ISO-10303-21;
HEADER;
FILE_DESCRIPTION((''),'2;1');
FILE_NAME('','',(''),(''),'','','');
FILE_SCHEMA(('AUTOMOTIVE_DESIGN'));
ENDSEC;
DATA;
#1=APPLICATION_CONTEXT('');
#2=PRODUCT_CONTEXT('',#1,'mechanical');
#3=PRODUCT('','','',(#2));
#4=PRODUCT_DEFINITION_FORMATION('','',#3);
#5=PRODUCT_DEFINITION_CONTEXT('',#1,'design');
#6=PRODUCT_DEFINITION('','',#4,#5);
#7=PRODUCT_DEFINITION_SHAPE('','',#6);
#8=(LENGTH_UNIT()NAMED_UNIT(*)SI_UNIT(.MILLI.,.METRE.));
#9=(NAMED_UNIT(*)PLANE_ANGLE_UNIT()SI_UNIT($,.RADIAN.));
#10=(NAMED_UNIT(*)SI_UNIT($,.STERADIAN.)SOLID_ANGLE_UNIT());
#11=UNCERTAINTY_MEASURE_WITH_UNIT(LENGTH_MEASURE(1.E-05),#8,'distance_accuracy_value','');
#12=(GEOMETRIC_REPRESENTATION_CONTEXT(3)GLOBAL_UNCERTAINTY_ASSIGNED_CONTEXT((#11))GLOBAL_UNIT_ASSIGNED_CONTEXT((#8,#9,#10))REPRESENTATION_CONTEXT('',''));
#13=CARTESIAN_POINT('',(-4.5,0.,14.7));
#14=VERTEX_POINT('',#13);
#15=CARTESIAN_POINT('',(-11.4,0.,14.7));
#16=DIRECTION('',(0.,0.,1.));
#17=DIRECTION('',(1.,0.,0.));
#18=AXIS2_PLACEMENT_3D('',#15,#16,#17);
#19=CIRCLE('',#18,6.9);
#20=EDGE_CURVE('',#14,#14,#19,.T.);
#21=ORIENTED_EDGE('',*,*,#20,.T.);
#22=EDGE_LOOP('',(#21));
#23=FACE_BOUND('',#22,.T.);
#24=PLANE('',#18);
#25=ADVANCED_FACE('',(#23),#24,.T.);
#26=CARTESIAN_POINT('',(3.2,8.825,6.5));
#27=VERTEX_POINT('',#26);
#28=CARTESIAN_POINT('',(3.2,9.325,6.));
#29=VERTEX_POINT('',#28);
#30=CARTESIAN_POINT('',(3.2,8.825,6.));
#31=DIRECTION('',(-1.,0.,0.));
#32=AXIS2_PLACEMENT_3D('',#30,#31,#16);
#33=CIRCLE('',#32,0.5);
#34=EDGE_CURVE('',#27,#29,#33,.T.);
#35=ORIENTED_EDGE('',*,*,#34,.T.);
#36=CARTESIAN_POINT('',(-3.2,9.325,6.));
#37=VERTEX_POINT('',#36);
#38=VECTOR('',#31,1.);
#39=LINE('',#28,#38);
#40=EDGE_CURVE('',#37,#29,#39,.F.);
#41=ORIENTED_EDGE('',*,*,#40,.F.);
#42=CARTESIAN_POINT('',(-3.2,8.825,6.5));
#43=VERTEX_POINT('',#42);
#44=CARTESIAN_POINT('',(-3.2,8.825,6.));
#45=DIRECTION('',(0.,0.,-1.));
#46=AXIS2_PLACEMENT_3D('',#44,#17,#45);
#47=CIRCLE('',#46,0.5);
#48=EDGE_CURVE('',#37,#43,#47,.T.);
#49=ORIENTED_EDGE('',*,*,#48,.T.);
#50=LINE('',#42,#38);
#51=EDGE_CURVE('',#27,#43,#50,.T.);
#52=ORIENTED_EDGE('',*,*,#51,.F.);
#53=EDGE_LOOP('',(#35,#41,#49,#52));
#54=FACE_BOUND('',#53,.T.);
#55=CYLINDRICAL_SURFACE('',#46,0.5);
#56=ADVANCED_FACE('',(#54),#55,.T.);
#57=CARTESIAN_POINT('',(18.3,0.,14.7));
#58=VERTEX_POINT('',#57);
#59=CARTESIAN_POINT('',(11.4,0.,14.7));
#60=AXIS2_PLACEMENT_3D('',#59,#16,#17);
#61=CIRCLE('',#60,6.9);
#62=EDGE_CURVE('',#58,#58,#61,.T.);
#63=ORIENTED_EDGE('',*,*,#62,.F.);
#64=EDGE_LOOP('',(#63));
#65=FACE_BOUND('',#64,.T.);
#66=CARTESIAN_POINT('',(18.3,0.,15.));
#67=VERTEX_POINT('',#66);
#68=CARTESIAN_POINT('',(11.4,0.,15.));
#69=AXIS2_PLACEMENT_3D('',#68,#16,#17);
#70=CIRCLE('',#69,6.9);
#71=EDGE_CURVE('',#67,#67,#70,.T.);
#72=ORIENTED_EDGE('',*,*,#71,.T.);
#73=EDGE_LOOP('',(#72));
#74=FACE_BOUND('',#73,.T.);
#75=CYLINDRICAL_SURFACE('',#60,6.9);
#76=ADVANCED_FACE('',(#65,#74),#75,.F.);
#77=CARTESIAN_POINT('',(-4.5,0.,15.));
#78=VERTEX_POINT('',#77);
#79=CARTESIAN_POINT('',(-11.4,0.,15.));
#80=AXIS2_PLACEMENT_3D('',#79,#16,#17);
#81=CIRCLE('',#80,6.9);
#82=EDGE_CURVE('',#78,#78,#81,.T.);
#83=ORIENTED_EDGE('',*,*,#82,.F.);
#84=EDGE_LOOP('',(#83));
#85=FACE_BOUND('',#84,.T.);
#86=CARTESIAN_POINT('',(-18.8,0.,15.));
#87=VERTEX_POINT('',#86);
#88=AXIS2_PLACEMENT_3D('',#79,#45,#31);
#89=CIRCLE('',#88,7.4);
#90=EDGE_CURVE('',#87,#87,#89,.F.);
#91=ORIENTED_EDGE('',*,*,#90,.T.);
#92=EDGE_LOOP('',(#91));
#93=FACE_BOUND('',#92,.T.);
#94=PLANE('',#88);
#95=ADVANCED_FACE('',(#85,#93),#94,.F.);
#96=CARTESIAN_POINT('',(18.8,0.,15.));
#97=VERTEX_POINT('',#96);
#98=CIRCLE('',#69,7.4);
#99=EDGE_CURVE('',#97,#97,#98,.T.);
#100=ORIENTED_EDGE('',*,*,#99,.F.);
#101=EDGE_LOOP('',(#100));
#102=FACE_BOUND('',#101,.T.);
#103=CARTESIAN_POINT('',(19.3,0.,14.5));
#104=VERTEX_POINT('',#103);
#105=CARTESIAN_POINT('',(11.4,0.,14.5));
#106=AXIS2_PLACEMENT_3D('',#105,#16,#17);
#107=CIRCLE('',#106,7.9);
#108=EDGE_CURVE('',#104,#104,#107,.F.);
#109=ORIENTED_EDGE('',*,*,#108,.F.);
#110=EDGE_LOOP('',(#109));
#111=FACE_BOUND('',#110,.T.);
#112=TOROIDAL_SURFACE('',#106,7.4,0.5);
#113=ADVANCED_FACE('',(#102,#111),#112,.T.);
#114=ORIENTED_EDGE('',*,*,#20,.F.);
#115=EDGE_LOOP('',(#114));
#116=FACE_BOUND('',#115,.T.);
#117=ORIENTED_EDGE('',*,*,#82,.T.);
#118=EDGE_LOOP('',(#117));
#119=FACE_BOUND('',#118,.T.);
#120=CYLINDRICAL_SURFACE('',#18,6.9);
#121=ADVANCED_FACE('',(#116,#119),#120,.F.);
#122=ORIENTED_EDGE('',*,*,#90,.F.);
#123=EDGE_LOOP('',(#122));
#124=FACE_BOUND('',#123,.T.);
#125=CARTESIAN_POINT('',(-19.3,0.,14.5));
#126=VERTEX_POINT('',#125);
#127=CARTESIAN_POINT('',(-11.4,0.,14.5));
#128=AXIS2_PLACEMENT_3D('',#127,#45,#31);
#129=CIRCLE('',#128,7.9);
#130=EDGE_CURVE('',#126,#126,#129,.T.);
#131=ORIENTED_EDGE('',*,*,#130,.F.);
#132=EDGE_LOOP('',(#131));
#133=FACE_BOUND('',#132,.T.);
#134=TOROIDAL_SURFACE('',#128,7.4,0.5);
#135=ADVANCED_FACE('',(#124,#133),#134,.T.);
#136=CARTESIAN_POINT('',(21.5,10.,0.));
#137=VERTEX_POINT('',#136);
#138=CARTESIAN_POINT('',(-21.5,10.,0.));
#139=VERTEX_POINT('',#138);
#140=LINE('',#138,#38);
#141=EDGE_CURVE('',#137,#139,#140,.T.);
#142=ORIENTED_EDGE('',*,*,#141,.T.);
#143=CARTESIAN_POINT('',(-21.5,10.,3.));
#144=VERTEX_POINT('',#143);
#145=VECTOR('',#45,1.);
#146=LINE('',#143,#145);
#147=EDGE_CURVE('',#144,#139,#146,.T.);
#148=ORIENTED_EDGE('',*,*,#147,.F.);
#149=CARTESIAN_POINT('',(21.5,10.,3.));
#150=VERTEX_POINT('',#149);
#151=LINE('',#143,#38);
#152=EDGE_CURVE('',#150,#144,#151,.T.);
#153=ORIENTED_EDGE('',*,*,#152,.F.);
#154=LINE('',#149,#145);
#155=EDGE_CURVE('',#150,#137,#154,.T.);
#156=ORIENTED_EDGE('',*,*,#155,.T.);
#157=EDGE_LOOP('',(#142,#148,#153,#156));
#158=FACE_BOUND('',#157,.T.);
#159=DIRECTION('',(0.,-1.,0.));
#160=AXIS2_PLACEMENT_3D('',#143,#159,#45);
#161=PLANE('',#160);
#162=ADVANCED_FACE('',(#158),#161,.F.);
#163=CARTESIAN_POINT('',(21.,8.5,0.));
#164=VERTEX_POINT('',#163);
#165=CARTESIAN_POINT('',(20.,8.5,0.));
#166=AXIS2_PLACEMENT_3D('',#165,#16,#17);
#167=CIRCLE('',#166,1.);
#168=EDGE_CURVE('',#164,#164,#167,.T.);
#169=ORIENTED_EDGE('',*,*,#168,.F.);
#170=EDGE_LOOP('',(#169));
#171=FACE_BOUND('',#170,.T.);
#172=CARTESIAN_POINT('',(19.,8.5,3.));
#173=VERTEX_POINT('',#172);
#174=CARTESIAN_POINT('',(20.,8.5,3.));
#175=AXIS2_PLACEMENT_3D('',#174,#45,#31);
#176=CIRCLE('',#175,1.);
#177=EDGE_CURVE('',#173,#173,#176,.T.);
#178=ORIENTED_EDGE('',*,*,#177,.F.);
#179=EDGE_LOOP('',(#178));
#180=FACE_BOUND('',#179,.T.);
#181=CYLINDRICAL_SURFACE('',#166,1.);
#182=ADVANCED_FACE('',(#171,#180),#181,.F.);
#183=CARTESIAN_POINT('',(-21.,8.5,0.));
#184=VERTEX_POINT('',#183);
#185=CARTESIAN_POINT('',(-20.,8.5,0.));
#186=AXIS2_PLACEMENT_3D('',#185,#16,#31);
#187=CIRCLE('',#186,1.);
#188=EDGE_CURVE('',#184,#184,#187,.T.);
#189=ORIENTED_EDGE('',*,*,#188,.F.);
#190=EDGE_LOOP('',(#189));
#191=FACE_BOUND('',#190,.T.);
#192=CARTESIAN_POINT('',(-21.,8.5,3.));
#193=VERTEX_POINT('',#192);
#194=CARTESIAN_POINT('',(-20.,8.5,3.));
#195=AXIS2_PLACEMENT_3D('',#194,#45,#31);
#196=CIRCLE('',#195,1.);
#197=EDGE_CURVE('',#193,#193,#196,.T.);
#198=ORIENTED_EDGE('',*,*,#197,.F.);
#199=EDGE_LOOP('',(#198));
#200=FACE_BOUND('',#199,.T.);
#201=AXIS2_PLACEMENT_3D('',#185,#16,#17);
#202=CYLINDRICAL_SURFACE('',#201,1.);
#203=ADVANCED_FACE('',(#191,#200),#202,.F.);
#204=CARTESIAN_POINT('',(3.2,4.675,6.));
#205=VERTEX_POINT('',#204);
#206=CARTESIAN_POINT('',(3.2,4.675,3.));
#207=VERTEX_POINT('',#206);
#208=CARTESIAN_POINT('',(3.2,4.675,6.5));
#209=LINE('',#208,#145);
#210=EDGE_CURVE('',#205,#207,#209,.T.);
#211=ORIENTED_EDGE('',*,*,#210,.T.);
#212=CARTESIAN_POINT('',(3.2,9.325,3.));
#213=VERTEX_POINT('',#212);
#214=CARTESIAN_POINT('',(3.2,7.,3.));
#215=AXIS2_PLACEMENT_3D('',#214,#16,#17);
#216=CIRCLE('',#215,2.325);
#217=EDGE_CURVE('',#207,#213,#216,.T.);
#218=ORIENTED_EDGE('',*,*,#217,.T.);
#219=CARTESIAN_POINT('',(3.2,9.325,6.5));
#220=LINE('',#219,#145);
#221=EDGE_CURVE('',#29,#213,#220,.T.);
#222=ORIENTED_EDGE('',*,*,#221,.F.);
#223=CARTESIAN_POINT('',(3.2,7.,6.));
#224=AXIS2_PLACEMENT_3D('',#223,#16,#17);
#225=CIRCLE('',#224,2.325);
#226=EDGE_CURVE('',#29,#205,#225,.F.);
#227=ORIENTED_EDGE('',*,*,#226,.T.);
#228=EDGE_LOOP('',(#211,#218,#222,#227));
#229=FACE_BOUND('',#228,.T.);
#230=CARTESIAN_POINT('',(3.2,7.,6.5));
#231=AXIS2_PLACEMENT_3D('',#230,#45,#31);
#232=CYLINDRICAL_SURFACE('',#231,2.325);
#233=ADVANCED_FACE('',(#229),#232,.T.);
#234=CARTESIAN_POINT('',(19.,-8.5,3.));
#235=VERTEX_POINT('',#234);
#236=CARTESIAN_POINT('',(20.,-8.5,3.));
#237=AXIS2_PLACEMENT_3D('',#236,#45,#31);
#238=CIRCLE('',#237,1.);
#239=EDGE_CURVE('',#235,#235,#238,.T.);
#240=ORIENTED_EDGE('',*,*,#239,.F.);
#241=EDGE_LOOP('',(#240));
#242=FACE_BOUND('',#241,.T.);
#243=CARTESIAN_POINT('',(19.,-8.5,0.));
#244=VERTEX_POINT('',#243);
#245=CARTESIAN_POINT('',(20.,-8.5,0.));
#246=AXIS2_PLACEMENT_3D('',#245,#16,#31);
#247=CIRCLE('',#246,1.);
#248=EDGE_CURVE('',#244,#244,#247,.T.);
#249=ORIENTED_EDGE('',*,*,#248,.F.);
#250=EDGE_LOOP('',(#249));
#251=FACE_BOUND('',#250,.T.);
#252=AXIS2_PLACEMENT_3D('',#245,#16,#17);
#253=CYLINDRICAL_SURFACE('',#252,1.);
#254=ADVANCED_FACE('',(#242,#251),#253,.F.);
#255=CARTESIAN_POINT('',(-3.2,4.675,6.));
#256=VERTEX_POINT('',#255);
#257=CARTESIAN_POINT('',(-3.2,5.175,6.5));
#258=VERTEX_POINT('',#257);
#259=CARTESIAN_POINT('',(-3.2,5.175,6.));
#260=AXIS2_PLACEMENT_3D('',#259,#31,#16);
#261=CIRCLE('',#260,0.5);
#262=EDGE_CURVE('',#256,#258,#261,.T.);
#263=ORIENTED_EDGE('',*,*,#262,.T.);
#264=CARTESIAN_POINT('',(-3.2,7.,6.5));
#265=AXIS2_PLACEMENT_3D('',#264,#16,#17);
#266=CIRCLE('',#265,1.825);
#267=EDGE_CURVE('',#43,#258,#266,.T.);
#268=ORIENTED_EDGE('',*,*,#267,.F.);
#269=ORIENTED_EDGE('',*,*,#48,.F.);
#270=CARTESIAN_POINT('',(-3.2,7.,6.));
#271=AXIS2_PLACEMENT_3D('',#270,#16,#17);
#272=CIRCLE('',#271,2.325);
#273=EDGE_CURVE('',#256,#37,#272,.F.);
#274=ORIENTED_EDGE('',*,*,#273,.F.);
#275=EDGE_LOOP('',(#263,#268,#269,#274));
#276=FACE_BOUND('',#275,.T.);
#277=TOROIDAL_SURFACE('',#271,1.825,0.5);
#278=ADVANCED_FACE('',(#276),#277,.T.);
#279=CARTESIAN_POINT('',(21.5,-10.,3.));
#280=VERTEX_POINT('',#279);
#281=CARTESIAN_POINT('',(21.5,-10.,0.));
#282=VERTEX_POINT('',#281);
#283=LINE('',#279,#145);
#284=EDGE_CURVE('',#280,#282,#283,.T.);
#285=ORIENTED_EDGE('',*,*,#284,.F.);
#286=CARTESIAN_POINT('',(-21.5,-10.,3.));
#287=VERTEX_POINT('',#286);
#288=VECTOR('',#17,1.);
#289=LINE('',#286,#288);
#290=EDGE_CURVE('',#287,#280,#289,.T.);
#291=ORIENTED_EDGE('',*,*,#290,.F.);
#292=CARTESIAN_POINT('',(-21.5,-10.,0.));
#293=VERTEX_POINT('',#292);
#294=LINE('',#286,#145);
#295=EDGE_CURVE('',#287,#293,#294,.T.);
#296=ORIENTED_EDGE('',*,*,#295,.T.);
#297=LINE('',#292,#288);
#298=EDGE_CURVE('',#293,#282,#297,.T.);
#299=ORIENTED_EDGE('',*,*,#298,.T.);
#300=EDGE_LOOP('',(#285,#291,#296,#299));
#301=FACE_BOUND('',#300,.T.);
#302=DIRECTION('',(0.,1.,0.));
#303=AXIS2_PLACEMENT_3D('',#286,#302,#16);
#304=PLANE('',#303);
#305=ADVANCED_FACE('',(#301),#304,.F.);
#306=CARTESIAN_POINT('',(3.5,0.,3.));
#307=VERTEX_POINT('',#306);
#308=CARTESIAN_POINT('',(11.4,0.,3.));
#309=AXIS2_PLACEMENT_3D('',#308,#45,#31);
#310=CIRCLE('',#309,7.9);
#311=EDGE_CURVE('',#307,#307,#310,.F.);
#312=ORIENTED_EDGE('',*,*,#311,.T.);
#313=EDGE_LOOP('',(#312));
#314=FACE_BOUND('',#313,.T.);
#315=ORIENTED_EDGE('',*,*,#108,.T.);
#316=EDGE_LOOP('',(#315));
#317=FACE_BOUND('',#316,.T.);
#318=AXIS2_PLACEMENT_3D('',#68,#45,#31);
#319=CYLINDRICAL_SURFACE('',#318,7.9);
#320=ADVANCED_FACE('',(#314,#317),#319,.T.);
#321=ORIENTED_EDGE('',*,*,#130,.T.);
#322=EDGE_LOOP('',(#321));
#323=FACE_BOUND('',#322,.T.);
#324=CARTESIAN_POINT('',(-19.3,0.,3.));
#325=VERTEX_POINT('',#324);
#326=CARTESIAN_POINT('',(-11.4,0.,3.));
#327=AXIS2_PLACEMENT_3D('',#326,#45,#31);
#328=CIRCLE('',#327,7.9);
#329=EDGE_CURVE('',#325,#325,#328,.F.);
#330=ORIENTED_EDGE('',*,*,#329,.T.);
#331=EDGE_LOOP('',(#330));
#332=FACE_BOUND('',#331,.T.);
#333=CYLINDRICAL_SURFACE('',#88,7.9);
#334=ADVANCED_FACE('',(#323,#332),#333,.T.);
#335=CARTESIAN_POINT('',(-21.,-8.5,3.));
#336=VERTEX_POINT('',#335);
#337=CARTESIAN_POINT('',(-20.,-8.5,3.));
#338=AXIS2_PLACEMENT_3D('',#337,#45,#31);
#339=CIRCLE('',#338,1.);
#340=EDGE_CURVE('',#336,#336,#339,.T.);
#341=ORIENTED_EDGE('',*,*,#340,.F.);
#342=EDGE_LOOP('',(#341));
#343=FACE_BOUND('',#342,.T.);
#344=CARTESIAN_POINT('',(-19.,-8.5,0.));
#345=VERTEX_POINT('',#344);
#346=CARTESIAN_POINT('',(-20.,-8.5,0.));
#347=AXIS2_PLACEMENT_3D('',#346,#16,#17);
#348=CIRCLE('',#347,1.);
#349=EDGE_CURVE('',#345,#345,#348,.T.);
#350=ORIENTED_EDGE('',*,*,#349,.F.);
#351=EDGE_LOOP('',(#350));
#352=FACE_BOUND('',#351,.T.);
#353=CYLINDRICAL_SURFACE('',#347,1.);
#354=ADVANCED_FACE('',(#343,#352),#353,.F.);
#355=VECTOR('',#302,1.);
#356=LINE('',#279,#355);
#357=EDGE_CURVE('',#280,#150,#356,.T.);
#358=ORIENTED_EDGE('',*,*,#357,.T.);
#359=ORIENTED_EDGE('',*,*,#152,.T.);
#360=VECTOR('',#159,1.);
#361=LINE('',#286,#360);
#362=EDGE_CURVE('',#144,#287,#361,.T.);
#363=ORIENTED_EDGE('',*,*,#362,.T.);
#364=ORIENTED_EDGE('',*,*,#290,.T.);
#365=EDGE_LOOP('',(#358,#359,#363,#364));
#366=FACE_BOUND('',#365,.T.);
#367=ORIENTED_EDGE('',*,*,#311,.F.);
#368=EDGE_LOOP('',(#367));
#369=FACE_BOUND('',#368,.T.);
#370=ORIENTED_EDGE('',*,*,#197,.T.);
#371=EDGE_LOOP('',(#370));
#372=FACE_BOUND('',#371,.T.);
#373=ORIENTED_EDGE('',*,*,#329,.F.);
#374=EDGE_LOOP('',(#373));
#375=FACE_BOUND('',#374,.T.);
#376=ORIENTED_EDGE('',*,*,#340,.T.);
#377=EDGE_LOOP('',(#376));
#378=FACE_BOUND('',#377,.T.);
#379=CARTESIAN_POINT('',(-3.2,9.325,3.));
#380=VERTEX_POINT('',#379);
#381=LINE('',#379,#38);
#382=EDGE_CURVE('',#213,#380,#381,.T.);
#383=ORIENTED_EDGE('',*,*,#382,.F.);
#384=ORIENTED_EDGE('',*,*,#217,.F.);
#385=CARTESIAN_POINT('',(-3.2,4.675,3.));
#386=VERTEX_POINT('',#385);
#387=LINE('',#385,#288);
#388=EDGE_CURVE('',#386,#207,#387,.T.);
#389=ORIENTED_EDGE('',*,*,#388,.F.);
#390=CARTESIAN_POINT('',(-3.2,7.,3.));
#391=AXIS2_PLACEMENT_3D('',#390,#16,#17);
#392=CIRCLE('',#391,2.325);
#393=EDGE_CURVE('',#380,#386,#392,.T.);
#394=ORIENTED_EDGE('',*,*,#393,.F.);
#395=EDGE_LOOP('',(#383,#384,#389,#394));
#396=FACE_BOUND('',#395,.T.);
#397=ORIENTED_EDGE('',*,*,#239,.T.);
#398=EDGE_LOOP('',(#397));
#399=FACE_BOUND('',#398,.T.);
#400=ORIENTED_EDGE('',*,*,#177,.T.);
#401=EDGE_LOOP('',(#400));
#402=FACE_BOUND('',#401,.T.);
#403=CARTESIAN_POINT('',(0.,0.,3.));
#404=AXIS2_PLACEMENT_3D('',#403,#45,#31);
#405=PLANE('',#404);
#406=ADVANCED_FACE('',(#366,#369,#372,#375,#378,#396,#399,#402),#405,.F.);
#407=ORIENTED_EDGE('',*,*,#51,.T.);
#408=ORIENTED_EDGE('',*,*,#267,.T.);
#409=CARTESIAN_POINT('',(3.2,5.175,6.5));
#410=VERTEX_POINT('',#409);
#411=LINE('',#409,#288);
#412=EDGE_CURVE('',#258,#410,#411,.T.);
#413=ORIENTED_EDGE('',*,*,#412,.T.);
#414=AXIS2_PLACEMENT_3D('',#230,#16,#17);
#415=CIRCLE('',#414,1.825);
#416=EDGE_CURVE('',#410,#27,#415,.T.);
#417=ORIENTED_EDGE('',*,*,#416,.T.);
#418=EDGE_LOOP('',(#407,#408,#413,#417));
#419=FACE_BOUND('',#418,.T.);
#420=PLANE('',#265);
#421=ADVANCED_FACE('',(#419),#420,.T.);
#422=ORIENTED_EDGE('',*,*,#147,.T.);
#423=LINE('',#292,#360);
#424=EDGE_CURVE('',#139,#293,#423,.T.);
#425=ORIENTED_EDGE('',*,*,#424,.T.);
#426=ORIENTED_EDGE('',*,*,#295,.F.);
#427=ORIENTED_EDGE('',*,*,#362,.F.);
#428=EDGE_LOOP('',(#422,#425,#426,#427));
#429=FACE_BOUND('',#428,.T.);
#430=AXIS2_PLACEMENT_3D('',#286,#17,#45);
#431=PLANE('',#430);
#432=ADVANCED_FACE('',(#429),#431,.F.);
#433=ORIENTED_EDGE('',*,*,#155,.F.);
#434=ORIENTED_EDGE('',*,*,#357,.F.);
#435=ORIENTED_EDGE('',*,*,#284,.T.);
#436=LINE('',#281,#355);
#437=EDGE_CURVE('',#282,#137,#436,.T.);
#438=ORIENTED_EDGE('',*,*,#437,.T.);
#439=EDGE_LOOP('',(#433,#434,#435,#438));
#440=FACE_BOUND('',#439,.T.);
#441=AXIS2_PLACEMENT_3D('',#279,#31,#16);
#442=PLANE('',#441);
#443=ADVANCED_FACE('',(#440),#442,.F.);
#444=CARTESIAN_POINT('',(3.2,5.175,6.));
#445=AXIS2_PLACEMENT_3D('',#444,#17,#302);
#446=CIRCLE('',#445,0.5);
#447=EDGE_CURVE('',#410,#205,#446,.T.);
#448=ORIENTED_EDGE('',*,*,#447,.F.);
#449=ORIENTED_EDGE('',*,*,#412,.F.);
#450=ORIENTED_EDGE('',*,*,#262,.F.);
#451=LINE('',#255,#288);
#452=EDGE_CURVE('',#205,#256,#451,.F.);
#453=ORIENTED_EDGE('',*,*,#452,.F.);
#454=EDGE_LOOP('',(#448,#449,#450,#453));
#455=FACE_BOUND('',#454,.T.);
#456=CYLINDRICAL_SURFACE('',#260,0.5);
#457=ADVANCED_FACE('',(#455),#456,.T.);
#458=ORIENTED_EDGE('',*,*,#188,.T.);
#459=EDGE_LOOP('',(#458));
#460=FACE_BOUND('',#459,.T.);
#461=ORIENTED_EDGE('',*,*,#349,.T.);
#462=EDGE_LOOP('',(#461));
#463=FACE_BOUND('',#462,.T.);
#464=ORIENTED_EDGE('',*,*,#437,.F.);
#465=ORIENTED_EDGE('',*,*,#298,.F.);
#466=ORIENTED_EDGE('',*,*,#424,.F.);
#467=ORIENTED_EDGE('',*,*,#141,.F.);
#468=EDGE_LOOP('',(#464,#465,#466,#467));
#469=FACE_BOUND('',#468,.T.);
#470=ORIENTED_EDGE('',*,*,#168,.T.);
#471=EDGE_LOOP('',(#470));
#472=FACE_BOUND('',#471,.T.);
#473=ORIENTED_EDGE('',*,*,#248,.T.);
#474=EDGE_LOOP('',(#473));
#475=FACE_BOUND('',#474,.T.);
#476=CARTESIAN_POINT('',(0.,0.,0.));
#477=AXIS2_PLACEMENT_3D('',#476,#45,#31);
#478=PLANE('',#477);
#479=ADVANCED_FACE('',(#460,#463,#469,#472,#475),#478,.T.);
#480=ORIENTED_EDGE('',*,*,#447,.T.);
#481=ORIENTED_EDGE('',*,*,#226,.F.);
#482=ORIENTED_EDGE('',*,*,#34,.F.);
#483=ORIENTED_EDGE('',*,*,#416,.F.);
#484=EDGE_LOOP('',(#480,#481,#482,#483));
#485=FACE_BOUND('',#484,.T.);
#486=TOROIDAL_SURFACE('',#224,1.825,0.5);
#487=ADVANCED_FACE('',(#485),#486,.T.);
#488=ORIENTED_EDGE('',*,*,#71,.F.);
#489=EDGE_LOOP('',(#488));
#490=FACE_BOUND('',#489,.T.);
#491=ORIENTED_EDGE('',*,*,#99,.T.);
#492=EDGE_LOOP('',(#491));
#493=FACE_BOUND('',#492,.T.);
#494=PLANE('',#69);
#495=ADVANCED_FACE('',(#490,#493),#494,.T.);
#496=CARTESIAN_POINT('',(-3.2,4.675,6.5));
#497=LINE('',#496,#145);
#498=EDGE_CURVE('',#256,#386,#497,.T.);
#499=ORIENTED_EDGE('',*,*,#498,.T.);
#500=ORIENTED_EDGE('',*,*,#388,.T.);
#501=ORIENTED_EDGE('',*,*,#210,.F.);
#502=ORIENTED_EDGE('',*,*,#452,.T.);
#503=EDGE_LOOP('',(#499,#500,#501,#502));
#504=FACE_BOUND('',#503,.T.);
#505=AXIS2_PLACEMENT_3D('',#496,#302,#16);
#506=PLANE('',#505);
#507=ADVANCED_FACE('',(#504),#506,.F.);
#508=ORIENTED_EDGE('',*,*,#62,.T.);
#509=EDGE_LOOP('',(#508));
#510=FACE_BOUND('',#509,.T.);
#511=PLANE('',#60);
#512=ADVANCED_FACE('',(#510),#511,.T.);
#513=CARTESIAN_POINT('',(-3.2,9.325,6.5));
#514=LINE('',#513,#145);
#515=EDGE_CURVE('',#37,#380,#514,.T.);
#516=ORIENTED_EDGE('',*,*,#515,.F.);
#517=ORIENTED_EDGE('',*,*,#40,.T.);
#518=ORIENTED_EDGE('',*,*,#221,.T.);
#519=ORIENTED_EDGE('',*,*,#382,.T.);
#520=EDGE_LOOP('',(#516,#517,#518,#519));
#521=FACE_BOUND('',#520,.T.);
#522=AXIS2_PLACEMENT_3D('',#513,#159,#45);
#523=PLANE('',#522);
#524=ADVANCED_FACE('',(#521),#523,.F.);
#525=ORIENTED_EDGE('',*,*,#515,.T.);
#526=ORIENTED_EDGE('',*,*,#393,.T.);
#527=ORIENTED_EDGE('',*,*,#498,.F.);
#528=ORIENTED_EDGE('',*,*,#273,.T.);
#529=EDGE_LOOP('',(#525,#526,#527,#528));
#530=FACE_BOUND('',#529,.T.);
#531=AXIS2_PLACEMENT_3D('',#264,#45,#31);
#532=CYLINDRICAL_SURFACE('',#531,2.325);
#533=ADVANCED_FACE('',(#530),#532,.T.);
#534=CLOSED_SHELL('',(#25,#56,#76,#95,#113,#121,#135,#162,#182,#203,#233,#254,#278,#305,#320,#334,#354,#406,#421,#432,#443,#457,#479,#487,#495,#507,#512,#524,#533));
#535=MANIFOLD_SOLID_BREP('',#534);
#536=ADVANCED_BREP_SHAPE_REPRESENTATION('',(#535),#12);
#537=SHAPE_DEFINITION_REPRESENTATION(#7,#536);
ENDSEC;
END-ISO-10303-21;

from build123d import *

# Parameters (mm, degrees)
SKETCH_1_W               = 43
SKETCH_1_H               = 20
EXTRUDE_1_DEPTH          = 3
CUT_EXTRUDE_1_DEPTH      = 24.900836805
CUT_EXTRUDE_1_DEPTH_BACK = 24.900836805
SKETCH_2_R               = 1
SKETCH_3_R               = 7.9
EXTRUDE_2_DEPTH          = 12
FILLET_1_R               = 0.5
SKETCH_5_R               = 6.9
CUT_EXTRUDE_2_DEPTH      = 0.3
EXTRUDE_3_DEPTH          = 3.5
FILLET_2_R               = 0.5


with BuildPart() as part:
    # 스케치1 → 보스-돌출1 (new body)
    with BuildSketch(Plane.XY):
        Rectangle(SKETCH_1_W, SKETCH_1_H)
    extrude(amount=EXTRUDE_1_DEPTH)

    # 스케치2 → 컷-돌출1 (cut, two sides: drawn at the far end of the back side and taken through both)
    with BuildSketch(Plane.XY.offset(3).offset(-CUT_EXTRUDE_1_DEPTH_BACK)):
        with Locations((20, 8.5)):
            Circle(SKETCH_2_R)
        with Locations(Location((-20, 8.5, 0), (0, 0, 180))):
            Circle(SKETCH_2_R)
        with Locations(Location((20, -8.5, 0), (0, 0, 180))):
            Circle(SKETCH_2_R)
        with Locations((-20, -8.5)):
            Circle(SKETCH_2_R)
    extrude(amount=CUT_EXTRUDE_1_DEPTH + CUT_EXTRUDE_1_DEPTH_BACK, mode=Mode.SUBTRACT)

    # 스케치3 → 보스-돌출2 (add)
    with BuildSketch(Plane.XY.offset(3)):
        with Locations(Location((11.4, 0, 0), (0, 0, 180))):
            Circle(SKETCH_3_R)
        with Locations(Location((-11.4, 0, 0), (0, 0, 180))):
            Circle(SKETCH_3_R)
    extrude(amount=EXTRUDE_2_DEPTH)

    # 필렛1
    fillet_1_edges = [part.edges().sort_by_distance(p)[0] for p in [
        (19.3, 0, 15),
        (-3.5, 0, 15),
    ]]
    fillet(fillet_1_edges, radius=FILLET_1_R)

    # 스케치5 → 컷-돌출2 (cut)
    with BuildSketch(Plane.XY.offset(15)):
        with Locations((-11.4, 0)):
            Circle(SKETCH_5_R)
        with Locations((11.4, 0)):
            Circle(SKETCH_5_R)
    extrude(amount=-CUT_EXTRUDE_2_DEPTH, mode=Mode.SUBTRACT)

    # 스케치6 → 보스-돌출3 (add)
    with BuildSketch(Plane.XY.offset(3)):
        with BuildLine():
            Line((-3.2, 9.325), (3.2, 9.325))
            ThreePointArc((3.2, 9.325), (5.525, 7), (3.2, 4.675))
            Line((3.2, 4.675), (-3.2, 4.675))
            ThreePointArc((-3.2, 4.675), (-5.525, 7), (-3.2, 9.325))
        make_face()
    extrude(amount=EXTRUDE_3_DEPTH)

    # 필렛2
    fillet_2_edges = [part.edges().sort_by_distance(p)[0] for p in [
        (-5.525, 7, 6.5),
        (0, 4.675, 6.5),
        (5.525, 7, 6.5),
        (0, 9.325, 6.5),
    ]]
    fillet(fillet_2_edges, radius=FILLET_2_R)


solid = part.part
